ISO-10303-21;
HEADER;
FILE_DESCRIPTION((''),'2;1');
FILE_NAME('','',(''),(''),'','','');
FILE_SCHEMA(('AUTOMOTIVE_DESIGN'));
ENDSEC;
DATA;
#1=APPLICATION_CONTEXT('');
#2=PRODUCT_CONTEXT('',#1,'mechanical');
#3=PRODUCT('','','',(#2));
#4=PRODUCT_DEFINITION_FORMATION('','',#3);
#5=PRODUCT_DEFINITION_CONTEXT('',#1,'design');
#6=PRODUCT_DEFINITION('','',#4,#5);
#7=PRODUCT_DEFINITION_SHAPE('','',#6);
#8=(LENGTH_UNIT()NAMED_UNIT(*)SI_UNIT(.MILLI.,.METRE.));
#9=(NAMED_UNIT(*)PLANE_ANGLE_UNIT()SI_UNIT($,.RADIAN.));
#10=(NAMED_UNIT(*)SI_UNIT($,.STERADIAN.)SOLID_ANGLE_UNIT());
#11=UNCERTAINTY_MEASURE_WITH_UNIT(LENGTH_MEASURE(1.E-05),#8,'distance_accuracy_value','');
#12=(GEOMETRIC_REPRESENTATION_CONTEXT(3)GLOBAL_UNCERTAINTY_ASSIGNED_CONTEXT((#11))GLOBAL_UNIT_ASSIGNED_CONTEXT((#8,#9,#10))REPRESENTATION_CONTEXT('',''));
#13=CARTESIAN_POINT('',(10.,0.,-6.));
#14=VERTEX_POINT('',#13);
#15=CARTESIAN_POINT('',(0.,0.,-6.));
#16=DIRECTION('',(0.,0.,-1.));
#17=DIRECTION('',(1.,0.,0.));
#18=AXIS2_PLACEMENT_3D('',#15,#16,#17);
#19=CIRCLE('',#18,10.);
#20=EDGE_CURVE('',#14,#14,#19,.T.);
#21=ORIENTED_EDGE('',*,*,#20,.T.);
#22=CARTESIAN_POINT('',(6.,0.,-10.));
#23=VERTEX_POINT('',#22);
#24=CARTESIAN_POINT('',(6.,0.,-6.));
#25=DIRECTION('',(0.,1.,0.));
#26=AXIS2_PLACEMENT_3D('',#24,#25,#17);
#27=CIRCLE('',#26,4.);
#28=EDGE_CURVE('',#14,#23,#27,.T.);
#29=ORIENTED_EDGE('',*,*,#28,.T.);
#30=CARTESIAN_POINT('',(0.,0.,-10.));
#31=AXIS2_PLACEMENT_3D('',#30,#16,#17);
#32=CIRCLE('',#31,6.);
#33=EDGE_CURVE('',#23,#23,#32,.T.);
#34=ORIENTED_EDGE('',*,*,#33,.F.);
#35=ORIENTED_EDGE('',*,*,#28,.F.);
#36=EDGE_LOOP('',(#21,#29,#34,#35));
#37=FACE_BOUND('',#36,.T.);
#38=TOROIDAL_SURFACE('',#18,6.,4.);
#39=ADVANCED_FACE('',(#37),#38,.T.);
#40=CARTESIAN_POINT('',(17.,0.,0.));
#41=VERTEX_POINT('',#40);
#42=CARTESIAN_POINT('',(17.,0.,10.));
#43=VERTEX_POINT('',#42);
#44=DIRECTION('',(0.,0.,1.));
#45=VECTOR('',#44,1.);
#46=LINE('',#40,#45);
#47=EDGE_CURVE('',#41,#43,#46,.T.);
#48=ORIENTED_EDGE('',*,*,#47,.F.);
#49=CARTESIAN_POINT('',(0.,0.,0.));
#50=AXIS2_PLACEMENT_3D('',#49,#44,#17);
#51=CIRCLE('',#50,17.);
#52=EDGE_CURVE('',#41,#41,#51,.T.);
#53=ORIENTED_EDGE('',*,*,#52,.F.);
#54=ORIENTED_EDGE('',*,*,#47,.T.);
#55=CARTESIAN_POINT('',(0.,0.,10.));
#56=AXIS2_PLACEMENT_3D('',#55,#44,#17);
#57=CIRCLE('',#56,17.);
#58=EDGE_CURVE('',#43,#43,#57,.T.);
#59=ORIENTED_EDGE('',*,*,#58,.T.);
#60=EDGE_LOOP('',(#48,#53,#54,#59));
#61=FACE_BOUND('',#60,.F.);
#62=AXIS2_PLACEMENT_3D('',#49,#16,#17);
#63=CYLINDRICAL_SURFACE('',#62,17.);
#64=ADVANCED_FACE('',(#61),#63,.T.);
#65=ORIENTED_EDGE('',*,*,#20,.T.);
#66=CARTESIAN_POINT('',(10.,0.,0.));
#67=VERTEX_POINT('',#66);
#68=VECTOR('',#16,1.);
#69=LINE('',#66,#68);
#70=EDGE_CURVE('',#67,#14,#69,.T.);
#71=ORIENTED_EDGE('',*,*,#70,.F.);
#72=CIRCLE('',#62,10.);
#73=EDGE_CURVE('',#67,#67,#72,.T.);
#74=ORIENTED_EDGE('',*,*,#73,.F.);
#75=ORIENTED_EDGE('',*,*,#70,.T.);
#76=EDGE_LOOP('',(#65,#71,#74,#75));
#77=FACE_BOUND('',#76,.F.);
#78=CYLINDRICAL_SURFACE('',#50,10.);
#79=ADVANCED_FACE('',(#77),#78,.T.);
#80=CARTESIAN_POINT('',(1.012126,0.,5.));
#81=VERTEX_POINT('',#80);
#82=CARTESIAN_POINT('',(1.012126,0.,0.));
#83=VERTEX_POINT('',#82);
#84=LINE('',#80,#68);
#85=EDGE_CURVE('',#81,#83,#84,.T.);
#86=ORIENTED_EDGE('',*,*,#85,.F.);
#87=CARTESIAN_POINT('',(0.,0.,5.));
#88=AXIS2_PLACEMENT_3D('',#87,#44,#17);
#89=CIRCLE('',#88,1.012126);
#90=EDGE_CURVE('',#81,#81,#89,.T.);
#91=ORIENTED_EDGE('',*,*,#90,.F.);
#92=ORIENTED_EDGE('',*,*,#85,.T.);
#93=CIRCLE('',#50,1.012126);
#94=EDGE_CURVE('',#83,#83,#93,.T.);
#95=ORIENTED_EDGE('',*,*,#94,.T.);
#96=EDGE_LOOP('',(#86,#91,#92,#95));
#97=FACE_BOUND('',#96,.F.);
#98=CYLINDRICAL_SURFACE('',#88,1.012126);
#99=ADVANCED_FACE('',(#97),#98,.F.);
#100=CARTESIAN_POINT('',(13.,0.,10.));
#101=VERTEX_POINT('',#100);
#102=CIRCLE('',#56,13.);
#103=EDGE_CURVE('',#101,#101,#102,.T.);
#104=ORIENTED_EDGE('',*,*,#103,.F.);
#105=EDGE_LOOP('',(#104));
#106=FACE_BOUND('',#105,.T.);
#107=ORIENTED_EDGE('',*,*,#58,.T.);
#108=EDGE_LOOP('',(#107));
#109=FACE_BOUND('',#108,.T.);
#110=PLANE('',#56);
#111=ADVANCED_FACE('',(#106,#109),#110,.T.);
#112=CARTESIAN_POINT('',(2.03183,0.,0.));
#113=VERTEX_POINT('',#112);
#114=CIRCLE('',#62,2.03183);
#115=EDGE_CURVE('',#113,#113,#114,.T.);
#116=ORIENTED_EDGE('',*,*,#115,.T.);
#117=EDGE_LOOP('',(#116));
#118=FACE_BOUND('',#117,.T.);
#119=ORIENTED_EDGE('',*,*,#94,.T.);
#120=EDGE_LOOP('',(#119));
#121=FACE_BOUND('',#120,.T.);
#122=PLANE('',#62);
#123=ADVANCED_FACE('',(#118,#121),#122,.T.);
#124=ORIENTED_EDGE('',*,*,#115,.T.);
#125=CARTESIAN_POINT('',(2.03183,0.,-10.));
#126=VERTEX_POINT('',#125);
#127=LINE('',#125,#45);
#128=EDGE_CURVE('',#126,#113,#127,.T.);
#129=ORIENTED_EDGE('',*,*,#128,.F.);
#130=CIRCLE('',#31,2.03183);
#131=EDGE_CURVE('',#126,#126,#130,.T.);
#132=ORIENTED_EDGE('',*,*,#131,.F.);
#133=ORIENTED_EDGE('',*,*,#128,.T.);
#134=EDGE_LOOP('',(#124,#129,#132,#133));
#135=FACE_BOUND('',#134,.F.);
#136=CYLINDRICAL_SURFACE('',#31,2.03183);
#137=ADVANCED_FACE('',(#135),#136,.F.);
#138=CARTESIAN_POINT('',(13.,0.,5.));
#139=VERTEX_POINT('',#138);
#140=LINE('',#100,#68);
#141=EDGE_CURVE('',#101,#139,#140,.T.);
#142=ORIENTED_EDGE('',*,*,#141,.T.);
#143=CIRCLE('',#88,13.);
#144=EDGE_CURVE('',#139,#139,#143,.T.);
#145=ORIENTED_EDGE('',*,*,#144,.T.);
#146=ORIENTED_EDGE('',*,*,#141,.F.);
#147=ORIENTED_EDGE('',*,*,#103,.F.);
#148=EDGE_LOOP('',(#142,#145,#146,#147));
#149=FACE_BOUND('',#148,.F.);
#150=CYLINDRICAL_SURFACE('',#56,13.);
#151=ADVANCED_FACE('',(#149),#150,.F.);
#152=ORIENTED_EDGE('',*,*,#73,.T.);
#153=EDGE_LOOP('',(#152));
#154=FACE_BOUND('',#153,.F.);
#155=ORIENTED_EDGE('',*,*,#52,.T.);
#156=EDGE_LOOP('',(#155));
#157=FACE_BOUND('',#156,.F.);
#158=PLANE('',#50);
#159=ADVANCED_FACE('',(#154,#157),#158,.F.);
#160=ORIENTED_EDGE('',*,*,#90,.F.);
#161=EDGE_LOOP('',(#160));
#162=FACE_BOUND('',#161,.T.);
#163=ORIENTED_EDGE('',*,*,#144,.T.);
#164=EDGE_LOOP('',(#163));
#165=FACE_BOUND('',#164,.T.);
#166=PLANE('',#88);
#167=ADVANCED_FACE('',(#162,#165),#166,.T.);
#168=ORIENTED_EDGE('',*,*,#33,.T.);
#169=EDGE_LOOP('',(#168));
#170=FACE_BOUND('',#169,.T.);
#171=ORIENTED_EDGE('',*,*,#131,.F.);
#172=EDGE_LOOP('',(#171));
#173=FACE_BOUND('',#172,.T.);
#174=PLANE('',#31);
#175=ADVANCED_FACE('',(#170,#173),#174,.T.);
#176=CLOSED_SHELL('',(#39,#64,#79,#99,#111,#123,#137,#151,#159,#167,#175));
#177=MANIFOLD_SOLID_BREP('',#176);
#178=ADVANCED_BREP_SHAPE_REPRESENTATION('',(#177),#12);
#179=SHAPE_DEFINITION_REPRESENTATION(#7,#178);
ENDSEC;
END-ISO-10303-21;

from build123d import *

# Parameters (mm, degrees)
CYLINDER_R      = 17
CYLINDER_DEPTH  = 10
SKETCH_R        = 13
POCKET_DEPTH    = 5
SKETCH001_R     = 10
PAD_DEPTH       = 10
FILLET_R        = 4
SKETCH002_R     = 2.03183
POCKET001_DEPTH = 10
SKETCH003_R     = 1.012126
POCKET002_DEPTH = 15.001


with BuildPart() as part:
    # Cylinder → Cylinder (new body)
    with BuildSketch(Plane.XY):
        Circle(CYLINDER_R)
    extrude(amount=CYLINDER_DEPTH)

    # Sketch → Pocket (cut)
    with BuildSketch(Plane.XY.offset(10)):
        Circle(SKETCH_R)
    extrude(amount=-POCKET_DEPTH, mode=Mode.SUBTRACT)

    # Sketch001 → Pad (new body)
    with BuildSketch(Plane(origin=(0, 0, 0), x_dir=(1, 0, 0), z_dir=(0, 0, -1))):
        Circle(SKETCH001_R)
    extrude(amount=PAD_DEPTH)

    # Fillet
    fillet_edges = [part.edges().sort_by_distance(p)[0] for p in [
        (-10, 0, -10),
    ]]
    fillet(fillet_edges, radius=FILLET_R)

    # Sketch002 → Pocket001 (cut)
    with BuildSketch(Plane(origin=(0, 0, -10), x_dir=(1, 0, 0), z_dir=(0, 0, -1))):
        Circle(SKETCH002_R)
    extrude(amount=-POCKET001_DEPTH, mode=Mode.SUBTRACT)

    # Sketch003 → Pocket002 (cut, through all)
    with BuildSketch(Plane.XY.offset(5)):
        Circle(SKETCH003_R)
    extrude(amount=-POCKET002_DEPTH, mode=Mode.SUBTRACT)


solid = part.part
